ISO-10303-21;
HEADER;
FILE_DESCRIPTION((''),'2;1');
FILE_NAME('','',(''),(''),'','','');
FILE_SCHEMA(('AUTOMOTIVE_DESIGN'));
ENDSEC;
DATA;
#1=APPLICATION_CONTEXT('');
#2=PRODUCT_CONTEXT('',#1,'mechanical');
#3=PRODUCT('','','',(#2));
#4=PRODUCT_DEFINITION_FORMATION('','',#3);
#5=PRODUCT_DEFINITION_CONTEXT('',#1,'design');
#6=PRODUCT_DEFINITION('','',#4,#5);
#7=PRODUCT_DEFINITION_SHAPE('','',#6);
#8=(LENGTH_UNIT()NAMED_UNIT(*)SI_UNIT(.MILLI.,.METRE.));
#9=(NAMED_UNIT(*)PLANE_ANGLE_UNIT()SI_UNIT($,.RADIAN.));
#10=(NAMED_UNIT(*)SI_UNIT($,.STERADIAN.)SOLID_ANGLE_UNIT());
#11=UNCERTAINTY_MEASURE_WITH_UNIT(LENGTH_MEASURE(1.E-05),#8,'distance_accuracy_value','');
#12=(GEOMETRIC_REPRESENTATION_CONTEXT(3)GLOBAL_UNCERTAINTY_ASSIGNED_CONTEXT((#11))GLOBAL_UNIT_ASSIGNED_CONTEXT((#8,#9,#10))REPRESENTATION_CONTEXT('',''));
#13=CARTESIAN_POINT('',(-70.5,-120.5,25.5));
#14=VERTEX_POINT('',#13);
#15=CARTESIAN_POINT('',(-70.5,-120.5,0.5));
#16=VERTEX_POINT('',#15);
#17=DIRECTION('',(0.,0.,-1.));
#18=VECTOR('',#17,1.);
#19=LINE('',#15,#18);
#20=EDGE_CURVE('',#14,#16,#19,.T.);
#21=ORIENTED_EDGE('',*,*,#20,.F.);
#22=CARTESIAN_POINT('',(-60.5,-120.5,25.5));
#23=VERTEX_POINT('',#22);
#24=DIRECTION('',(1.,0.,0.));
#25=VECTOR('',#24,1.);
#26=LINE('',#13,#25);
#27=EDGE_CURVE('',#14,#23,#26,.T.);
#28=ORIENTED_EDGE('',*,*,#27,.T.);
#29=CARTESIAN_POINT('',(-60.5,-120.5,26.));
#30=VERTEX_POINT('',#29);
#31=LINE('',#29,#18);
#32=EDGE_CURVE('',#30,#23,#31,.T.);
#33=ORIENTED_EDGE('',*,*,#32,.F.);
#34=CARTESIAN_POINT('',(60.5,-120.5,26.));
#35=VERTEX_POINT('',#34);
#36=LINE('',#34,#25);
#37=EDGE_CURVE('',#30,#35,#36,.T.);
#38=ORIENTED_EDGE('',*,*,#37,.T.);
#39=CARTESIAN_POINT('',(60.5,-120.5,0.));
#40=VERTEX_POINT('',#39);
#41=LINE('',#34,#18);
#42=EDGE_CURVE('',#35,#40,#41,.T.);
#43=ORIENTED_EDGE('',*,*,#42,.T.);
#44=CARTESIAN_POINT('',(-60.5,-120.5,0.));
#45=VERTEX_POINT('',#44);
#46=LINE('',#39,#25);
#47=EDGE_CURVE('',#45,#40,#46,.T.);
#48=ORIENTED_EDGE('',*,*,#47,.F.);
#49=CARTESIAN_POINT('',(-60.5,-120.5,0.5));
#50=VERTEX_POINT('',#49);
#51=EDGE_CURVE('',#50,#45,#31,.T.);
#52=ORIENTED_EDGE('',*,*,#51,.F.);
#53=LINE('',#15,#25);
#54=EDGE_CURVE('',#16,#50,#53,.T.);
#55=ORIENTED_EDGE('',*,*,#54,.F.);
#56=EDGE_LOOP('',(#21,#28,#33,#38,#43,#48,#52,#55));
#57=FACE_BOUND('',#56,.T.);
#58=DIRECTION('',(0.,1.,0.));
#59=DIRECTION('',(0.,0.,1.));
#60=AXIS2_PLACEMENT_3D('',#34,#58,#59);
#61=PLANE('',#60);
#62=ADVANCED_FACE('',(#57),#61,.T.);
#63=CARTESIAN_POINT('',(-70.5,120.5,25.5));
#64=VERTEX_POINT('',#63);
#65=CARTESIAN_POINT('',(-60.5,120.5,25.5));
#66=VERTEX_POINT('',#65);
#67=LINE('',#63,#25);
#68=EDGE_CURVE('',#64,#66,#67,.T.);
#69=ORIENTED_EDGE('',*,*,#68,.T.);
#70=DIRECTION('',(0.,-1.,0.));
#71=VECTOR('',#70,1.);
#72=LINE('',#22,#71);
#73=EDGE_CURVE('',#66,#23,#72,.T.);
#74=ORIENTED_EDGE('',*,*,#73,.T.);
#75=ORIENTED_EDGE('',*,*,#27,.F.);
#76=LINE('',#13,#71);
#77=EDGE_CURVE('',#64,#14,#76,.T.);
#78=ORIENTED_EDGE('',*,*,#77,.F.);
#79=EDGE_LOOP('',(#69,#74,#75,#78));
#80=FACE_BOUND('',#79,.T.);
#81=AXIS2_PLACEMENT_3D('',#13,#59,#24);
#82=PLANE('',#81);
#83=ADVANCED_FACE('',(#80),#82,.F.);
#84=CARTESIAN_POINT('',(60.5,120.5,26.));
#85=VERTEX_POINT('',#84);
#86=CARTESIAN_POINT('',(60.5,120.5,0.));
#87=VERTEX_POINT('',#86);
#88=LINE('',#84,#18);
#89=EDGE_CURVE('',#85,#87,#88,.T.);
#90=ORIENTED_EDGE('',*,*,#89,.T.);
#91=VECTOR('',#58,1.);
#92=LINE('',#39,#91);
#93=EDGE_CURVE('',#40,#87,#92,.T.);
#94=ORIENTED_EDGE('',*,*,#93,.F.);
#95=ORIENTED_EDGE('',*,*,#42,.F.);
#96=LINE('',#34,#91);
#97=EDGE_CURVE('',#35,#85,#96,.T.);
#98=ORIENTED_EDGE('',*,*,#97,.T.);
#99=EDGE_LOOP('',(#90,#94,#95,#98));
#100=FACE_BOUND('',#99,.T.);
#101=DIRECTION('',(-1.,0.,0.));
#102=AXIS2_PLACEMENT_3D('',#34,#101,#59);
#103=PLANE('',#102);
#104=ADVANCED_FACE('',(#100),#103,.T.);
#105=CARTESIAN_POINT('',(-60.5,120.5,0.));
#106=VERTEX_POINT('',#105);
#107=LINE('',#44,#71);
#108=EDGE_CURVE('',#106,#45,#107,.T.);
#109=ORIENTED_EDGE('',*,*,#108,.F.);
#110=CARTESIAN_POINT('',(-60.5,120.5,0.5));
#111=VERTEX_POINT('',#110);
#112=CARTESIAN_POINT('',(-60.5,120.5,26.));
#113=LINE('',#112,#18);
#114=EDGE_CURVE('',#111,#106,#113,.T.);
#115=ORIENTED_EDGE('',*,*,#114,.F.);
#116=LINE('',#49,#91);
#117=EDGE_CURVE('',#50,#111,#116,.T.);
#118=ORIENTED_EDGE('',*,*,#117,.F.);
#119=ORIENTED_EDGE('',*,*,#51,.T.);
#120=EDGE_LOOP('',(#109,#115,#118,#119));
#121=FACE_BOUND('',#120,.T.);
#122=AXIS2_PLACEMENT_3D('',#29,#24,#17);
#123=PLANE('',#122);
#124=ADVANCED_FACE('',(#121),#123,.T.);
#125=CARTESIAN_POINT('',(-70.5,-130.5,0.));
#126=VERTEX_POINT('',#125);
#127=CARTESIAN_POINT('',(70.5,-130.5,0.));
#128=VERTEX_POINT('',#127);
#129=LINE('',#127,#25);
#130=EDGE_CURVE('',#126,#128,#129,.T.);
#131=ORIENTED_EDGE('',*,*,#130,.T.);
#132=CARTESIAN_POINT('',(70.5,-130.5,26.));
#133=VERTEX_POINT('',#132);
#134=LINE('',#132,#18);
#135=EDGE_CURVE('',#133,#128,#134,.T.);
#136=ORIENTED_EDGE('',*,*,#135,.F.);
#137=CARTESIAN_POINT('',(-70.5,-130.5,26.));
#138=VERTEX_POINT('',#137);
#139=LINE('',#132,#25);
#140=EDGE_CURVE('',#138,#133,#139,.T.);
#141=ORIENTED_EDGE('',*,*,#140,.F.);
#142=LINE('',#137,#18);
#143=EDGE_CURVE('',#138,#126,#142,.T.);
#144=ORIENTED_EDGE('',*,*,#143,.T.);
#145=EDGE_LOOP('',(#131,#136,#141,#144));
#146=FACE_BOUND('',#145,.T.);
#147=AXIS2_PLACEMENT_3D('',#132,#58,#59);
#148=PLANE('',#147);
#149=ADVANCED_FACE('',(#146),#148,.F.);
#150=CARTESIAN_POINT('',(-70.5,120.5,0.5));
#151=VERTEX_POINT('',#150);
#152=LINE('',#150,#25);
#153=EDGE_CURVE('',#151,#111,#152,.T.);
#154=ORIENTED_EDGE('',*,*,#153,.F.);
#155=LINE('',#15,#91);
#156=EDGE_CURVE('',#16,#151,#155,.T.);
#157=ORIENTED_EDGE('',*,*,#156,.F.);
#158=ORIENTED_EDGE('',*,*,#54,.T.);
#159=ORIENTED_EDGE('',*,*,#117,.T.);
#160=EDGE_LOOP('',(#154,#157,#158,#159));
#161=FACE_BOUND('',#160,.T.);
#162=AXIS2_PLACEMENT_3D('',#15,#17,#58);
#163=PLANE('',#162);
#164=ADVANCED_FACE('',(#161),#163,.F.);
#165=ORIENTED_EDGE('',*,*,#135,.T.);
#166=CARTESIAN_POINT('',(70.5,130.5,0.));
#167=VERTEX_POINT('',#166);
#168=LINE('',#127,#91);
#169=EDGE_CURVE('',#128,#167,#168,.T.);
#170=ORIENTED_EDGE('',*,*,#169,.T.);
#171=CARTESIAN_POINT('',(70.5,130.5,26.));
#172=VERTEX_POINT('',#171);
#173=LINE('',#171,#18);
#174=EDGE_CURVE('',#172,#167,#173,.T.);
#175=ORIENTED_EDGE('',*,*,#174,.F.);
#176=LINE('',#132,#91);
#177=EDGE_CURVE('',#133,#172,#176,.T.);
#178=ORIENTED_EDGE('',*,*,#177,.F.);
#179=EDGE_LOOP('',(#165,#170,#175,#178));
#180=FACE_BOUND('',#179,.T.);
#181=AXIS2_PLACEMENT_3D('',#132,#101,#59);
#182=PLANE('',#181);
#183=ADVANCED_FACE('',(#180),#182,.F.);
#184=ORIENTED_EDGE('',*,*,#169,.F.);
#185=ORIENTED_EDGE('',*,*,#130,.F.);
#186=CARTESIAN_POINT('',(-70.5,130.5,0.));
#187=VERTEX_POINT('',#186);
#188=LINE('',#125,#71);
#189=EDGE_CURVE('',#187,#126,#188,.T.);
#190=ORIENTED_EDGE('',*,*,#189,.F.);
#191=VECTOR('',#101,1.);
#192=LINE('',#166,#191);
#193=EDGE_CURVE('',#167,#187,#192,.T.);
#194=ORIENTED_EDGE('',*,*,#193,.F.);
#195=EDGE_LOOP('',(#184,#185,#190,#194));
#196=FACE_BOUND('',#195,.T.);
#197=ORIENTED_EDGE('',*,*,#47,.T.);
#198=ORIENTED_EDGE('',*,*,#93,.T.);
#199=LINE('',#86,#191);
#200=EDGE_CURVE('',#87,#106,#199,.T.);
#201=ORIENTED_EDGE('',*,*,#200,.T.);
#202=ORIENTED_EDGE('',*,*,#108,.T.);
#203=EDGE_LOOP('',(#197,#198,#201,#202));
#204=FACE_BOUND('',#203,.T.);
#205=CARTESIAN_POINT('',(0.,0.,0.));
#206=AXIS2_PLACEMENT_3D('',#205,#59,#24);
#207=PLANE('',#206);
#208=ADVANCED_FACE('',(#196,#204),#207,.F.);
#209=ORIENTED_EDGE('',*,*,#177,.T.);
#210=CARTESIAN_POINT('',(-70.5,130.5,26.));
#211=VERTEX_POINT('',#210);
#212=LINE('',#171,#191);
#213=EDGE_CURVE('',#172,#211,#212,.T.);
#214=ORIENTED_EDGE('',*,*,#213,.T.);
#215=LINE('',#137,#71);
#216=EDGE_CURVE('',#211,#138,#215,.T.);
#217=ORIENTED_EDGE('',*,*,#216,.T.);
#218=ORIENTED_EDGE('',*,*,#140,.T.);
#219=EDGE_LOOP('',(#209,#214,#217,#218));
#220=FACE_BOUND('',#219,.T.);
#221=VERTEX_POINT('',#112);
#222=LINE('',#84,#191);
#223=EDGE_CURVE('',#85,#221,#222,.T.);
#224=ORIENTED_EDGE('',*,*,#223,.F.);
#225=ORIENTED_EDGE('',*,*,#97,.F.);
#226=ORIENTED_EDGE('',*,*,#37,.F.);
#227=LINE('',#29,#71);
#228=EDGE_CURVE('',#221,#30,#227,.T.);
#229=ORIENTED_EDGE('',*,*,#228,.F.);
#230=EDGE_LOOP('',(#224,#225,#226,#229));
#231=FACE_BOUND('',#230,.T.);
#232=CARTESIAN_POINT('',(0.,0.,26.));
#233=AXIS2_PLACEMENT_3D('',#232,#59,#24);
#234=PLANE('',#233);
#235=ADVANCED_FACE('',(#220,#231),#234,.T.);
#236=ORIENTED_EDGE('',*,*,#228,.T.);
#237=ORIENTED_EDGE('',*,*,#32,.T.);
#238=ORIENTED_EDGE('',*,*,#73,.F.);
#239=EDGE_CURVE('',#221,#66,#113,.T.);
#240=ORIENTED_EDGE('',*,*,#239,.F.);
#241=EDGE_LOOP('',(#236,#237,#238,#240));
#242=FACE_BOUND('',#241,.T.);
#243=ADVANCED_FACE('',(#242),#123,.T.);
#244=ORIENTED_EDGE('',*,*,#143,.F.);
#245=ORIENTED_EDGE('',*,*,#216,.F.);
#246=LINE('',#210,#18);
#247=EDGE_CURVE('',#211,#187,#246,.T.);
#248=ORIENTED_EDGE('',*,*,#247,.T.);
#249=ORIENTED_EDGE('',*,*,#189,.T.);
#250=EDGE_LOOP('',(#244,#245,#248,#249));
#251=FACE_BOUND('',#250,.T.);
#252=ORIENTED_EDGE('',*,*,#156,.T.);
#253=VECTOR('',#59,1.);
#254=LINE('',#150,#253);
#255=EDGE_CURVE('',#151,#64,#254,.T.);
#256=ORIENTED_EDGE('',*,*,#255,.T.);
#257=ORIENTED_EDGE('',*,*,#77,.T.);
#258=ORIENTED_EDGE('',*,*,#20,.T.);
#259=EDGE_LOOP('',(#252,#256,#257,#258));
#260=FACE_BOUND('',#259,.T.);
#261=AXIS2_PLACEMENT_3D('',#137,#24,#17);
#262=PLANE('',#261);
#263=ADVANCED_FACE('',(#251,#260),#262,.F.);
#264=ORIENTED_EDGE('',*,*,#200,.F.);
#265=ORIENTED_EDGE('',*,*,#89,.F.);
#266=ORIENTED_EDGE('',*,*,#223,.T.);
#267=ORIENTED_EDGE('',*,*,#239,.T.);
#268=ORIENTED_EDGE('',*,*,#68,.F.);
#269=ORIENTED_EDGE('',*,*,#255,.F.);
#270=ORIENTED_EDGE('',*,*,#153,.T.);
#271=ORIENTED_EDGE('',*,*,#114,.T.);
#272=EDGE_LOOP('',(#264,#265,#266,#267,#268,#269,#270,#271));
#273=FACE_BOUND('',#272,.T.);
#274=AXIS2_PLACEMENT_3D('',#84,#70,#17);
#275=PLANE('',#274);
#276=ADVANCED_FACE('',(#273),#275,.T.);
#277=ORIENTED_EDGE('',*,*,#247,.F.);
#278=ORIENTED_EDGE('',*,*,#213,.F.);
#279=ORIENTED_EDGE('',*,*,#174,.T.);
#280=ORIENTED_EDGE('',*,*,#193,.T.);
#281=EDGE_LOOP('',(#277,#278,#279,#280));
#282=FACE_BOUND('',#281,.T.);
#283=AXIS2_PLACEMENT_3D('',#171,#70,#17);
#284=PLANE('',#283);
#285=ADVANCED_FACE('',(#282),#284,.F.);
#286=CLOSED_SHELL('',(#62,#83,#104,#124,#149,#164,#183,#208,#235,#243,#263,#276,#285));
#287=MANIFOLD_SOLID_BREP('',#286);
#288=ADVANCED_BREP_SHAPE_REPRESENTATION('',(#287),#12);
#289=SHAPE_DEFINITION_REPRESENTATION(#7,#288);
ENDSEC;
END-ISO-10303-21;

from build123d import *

# Parameters (mm, degrees)
SKETCH2_W           = 261
SKETCH2_H           = 141
SKETCH2_W_2         = 241
SKETCH2_H_2         = 121
BOSS_EXTRUDE1_DEPTH = 26
SKETCH4_W           = 241
SKETCH4_H           = 25
CUT_EXTRUDE1_DEPTH  = 187.727742984


with BuildPart() as part:
    # Sketch2 → Boss-Extrude1 (new body)
    with BuildSketch(Plane(origin=(0, 0, 0), x_dir=(0, 1, 0), z_dir=(0, 0, 1))):
        Rectangle(SKETCH2_W, SKETCH2_H)
        Rectangle(SKETCH2_W_2, SKETCH2_H_2, mode=Mode.SUBTRACT)
    extrude(amount=BOSS_EXTRUDE1_DEPTH)

    # Sketch4 → Cut-Extrude1 (cut, through all)
    with BuildSketch(Plane.YZ.offset(-60.5)):
        with Locations((0, 13)):
            Rectangle(SKETCH4_W, SKETCH4_H)
    extrude(amount=-CUT_EXTRUDE1_DEPTH, mode=Mode.SUBTRACT)


solid = part.part
